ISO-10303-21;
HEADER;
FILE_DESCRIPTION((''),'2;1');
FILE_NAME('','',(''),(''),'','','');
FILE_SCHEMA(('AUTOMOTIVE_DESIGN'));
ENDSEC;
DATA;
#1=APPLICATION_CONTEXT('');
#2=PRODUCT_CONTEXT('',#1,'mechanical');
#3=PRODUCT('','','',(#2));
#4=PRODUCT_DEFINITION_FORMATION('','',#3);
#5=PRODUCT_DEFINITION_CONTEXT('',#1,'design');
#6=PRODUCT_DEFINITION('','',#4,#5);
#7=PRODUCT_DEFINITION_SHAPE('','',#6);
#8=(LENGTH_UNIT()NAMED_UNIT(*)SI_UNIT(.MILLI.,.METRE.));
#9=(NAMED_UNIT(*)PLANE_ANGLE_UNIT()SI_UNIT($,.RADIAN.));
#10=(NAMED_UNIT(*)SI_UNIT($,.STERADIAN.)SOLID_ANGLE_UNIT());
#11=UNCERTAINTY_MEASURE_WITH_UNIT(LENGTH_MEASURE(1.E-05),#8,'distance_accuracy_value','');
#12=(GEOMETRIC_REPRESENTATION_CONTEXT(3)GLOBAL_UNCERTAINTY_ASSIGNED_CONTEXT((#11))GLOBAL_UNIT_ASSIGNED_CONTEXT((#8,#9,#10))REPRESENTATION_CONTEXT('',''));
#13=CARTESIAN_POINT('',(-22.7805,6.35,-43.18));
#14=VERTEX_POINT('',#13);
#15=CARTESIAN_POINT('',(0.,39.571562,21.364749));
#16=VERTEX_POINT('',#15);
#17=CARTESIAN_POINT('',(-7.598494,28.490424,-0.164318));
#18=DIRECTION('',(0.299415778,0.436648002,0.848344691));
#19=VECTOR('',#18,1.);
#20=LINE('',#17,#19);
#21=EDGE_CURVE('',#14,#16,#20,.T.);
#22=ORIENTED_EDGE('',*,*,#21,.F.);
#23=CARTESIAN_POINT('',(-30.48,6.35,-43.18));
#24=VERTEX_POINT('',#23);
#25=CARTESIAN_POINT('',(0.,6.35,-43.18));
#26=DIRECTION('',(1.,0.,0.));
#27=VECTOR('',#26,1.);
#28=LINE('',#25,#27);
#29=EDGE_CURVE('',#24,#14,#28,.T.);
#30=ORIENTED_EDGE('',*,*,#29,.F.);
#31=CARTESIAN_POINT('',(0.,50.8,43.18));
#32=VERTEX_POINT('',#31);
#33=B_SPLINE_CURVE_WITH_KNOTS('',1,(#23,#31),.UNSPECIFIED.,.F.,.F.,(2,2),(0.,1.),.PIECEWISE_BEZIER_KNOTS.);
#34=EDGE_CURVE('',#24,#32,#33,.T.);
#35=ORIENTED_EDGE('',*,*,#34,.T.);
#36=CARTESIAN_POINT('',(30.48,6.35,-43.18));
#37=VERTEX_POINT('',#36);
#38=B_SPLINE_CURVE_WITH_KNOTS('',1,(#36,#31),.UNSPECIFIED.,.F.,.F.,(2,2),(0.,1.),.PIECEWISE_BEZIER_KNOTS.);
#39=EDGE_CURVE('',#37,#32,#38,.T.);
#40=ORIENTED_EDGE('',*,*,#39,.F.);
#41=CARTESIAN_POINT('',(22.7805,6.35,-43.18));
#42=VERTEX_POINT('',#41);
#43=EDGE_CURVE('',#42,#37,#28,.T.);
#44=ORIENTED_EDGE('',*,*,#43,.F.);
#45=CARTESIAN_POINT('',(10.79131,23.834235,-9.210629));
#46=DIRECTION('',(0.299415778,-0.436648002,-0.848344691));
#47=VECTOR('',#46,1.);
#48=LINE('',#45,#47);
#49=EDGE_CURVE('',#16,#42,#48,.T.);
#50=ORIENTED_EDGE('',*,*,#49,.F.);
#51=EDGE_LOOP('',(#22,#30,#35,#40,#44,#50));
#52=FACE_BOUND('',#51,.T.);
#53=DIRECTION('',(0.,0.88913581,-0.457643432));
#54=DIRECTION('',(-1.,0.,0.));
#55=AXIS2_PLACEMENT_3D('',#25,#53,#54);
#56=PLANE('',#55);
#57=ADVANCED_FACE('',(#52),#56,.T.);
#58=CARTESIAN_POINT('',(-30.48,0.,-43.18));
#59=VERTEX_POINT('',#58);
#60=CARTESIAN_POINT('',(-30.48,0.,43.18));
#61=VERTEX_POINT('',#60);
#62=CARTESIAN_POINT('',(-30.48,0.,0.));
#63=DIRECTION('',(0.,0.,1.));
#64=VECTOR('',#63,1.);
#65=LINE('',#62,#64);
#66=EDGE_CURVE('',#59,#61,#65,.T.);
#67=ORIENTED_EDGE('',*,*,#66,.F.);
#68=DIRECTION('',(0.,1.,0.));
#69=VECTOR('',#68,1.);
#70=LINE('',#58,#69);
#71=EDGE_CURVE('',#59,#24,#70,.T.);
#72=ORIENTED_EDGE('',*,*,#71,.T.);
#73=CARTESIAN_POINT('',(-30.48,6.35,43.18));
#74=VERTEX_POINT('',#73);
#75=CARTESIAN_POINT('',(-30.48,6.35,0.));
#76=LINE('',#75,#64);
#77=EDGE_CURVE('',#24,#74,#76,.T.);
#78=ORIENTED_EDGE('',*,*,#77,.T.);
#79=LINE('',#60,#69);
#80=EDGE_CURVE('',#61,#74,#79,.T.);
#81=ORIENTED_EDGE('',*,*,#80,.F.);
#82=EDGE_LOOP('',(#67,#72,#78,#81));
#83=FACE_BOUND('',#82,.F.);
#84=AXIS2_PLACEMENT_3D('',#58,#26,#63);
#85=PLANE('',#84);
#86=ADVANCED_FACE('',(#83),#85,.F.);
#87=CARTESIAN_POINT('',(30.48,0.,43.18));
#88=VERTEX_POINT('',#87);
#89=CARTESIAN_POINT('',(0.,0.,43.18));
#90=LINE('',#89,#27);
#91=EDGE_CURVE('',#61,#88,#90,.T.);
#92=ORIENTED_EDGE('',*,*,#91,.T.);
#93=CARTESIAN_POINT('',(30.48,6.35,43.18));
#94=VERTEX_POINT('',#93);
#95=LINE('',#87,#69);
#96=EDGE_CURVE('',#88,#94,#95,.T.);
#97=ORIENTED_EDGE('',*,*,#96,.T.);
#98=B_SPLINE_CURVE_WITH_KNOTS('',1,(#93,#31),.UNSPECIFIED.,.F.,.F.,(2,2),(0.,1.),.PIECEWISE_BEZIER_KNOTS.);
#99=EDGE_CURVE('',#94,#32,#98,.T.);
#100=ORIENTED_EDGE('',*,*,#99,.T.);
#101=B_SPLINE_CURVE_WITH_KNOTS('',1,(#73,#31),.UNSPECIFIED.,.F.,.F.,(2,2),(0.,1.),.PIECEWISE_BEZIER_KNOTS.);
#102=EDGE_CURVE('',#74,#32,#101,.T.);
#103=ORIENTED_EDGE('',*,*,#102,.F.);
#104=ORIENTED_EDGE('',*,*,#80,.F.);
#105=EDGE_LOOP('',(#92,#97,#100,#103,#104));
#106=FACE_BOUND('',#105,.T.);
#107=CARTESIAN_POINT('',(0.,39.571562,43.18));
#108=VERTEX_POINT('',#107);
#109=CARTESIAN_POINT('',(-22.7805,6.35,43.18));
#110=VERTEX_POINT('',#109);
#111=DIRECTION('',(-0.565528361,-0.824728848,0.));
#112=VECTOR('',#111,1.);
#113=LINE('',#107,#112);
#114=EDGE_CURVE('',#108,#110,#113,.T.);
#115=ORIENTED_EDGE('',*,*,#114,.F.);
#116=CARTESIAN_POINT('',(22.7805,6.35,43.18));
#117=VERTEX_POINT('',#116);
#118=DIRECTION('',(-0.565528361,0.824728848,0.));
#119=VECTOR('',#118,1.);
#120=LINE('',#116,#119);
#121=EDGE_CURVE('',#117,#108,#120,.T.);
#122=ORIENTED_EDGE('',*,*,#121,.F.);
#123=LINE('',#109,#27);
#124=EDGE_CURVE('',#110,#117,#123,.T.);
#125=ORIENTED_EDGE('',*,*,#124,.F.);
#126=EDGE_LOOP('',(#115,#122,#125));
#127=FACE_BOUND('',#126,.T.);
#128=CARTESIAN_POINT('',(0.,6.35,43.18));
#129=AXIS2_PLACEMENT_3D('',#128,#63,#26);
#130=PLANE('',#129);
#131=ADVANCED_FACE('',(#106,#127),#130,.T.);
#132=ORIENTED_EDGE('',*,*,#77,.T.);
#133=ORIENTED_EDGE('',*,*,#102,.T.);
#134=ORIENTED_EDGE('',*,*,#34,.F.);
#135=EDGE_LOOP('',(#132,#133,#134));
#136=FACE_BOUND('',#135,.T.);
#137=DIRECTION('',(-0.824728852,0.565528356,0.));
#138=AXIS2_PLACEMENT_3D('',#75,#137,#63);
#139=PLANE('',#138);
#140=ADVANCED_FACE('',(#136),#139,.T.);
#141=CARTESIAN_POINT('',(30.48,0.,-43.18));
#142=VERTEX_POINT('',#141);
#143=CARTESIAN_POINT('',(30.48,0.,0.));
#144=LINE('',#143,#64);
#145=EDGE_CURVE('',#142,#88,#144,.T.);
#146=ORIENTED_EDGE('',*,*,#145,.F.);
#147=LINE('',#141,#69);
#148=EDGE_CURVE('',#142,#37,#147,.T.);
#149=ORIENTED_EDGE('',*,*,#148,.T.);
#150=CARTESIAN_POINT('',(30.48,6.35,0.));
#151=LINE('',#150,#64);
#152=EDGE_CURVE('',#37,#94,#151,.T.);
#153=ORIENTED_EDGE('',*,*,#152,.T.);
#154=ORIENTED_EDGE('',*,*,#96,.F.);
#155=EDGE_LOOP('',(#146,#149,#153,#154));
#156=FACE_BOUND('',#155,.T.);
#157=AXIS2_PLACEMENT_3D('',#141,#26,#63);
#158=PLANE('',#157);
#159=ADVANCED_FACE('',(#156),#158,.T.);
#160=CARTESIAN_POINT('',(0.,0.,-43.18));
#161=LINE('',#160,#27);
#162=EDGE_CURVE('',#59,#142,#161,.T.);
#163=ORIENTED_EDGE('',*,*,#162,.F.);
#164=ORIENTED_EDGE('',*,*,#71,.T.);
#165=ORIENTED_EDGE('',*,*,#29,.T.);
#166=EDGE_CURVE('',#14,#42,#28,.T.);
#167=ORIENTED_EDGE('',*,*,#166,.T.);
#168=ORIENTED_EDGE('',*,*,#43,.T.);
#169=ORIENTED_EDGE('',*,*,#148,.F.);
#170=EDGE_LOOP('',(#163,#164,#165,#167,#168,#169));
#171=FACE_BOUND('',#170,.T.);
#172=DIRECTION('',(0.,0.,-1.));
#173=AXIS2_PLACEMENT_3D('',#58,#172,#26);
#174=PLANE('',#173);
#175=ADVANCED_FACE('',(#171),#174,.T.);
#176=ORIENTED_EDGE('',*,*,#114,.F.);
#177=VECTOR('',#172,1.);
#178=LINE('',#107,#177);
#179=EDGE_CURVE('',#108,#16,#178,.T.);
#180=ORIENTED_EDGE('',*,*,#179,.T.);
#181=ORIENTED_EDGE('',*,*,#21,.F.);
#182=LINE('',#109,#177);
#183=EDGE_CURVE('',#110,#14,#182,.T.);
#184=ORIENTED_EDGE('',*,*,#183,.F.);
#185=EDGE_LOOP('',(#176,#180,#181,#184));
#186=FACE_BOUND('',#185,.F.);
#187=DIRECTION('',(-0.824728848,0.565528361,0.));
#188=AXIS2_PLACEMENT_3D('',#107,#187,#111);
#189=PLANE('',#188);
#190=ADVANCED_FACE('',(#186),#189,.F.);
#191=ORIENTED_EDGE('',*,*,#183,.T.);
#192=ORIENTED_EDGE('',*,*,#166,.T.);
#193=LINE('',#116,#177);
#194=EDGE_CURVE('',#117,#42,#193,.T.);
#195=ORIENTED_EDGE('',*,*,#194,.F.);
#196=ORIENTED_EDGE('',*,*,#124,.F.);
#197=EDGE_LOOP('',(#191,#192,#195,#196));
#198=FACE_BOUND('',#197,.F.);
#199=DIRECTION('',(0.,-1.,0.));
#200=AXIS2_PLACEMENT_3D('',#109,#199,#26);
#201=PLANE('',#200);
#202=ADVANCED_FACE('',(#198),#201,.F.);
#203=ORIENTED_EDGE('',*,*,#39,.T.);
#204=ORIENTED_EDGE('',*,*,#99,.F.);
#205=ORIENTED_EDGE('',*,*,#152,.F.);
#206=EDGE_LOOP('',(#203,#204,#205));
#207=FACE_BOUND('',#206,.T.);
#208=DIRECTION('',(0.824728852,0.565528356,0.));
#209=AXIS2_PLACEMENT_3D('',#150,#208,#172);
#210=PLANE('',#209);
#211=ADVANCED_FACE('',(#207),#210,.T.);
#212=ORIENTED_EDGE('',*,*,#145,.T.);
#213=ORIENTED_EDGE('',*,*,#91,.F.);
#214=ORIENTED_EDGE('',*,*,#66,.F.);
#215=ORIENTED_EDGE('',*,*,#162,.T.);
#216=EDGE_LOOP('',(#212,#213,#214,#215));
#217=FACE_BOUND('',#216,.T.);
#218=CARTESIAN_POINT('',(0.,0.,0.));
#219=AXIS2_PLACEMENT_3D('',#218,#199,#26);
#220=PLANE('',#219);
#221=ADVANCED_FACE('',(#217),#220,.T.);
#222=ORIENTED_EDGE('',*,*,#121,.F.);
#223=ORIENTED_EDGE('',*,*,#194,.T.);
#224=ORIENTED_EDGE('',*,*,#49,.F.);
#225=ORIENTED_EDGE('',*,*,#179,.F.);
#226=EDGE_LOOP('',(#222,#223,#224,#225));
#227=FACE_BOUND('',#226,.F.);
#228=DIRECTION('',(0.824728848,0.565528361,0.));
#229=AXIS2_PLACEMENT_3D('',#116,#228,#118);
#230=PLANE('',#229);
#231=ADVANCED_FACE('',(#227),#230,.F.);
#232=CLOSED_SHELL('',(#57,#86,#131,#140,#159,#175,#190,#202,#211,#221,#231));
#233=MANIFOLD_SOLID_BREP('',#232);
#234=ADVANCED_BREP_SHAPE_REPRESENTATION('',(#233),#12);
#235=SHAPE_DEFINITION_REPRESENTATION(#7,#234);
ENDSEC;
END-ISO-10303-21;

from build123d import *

# Parameters (mm, degrees)
F0_W      = 60.96
F0_H      = 86.36
F1_DEPTH  = 6.35
F1_FACE_W = 60.96
F1_FACE_H = 86.36
F6_DEPTH  = 86.361


with BuildPart() as f1:
    # F0 (on Front) → F1 (new body)
    with BuildSketch(Plane.XZ):
        Rectangle(F0_W, F0_H)
    extrude(amount=-F1_DEPTH)

    # F1_face (on face) → F4 section 0
    with BuildSketch(Plane(origin=(0, 6.35, 0), x_dir=(1, 0, 0), z_dir=(0, 1, 0)), mode=Mode.PRIVATE) as f4_s0:
        Rectangle(F1_FACE_W, F1_FACE_H)
    loft([f4_s0.sketch, Vertex(0, 50.8, 43.18)])

    # F5 (on face) → F6 (cut, through all)
    with BuildSketch(Plane.XY.offset(43.18)):
        Polygon((0, 39.571562), (-22.7805, 6.35), (22.7805, 6.35), align=None)
    extrude(amount=-F6_DEPTH, mode=Mode.SUBTRACT)


solid = f1.part
